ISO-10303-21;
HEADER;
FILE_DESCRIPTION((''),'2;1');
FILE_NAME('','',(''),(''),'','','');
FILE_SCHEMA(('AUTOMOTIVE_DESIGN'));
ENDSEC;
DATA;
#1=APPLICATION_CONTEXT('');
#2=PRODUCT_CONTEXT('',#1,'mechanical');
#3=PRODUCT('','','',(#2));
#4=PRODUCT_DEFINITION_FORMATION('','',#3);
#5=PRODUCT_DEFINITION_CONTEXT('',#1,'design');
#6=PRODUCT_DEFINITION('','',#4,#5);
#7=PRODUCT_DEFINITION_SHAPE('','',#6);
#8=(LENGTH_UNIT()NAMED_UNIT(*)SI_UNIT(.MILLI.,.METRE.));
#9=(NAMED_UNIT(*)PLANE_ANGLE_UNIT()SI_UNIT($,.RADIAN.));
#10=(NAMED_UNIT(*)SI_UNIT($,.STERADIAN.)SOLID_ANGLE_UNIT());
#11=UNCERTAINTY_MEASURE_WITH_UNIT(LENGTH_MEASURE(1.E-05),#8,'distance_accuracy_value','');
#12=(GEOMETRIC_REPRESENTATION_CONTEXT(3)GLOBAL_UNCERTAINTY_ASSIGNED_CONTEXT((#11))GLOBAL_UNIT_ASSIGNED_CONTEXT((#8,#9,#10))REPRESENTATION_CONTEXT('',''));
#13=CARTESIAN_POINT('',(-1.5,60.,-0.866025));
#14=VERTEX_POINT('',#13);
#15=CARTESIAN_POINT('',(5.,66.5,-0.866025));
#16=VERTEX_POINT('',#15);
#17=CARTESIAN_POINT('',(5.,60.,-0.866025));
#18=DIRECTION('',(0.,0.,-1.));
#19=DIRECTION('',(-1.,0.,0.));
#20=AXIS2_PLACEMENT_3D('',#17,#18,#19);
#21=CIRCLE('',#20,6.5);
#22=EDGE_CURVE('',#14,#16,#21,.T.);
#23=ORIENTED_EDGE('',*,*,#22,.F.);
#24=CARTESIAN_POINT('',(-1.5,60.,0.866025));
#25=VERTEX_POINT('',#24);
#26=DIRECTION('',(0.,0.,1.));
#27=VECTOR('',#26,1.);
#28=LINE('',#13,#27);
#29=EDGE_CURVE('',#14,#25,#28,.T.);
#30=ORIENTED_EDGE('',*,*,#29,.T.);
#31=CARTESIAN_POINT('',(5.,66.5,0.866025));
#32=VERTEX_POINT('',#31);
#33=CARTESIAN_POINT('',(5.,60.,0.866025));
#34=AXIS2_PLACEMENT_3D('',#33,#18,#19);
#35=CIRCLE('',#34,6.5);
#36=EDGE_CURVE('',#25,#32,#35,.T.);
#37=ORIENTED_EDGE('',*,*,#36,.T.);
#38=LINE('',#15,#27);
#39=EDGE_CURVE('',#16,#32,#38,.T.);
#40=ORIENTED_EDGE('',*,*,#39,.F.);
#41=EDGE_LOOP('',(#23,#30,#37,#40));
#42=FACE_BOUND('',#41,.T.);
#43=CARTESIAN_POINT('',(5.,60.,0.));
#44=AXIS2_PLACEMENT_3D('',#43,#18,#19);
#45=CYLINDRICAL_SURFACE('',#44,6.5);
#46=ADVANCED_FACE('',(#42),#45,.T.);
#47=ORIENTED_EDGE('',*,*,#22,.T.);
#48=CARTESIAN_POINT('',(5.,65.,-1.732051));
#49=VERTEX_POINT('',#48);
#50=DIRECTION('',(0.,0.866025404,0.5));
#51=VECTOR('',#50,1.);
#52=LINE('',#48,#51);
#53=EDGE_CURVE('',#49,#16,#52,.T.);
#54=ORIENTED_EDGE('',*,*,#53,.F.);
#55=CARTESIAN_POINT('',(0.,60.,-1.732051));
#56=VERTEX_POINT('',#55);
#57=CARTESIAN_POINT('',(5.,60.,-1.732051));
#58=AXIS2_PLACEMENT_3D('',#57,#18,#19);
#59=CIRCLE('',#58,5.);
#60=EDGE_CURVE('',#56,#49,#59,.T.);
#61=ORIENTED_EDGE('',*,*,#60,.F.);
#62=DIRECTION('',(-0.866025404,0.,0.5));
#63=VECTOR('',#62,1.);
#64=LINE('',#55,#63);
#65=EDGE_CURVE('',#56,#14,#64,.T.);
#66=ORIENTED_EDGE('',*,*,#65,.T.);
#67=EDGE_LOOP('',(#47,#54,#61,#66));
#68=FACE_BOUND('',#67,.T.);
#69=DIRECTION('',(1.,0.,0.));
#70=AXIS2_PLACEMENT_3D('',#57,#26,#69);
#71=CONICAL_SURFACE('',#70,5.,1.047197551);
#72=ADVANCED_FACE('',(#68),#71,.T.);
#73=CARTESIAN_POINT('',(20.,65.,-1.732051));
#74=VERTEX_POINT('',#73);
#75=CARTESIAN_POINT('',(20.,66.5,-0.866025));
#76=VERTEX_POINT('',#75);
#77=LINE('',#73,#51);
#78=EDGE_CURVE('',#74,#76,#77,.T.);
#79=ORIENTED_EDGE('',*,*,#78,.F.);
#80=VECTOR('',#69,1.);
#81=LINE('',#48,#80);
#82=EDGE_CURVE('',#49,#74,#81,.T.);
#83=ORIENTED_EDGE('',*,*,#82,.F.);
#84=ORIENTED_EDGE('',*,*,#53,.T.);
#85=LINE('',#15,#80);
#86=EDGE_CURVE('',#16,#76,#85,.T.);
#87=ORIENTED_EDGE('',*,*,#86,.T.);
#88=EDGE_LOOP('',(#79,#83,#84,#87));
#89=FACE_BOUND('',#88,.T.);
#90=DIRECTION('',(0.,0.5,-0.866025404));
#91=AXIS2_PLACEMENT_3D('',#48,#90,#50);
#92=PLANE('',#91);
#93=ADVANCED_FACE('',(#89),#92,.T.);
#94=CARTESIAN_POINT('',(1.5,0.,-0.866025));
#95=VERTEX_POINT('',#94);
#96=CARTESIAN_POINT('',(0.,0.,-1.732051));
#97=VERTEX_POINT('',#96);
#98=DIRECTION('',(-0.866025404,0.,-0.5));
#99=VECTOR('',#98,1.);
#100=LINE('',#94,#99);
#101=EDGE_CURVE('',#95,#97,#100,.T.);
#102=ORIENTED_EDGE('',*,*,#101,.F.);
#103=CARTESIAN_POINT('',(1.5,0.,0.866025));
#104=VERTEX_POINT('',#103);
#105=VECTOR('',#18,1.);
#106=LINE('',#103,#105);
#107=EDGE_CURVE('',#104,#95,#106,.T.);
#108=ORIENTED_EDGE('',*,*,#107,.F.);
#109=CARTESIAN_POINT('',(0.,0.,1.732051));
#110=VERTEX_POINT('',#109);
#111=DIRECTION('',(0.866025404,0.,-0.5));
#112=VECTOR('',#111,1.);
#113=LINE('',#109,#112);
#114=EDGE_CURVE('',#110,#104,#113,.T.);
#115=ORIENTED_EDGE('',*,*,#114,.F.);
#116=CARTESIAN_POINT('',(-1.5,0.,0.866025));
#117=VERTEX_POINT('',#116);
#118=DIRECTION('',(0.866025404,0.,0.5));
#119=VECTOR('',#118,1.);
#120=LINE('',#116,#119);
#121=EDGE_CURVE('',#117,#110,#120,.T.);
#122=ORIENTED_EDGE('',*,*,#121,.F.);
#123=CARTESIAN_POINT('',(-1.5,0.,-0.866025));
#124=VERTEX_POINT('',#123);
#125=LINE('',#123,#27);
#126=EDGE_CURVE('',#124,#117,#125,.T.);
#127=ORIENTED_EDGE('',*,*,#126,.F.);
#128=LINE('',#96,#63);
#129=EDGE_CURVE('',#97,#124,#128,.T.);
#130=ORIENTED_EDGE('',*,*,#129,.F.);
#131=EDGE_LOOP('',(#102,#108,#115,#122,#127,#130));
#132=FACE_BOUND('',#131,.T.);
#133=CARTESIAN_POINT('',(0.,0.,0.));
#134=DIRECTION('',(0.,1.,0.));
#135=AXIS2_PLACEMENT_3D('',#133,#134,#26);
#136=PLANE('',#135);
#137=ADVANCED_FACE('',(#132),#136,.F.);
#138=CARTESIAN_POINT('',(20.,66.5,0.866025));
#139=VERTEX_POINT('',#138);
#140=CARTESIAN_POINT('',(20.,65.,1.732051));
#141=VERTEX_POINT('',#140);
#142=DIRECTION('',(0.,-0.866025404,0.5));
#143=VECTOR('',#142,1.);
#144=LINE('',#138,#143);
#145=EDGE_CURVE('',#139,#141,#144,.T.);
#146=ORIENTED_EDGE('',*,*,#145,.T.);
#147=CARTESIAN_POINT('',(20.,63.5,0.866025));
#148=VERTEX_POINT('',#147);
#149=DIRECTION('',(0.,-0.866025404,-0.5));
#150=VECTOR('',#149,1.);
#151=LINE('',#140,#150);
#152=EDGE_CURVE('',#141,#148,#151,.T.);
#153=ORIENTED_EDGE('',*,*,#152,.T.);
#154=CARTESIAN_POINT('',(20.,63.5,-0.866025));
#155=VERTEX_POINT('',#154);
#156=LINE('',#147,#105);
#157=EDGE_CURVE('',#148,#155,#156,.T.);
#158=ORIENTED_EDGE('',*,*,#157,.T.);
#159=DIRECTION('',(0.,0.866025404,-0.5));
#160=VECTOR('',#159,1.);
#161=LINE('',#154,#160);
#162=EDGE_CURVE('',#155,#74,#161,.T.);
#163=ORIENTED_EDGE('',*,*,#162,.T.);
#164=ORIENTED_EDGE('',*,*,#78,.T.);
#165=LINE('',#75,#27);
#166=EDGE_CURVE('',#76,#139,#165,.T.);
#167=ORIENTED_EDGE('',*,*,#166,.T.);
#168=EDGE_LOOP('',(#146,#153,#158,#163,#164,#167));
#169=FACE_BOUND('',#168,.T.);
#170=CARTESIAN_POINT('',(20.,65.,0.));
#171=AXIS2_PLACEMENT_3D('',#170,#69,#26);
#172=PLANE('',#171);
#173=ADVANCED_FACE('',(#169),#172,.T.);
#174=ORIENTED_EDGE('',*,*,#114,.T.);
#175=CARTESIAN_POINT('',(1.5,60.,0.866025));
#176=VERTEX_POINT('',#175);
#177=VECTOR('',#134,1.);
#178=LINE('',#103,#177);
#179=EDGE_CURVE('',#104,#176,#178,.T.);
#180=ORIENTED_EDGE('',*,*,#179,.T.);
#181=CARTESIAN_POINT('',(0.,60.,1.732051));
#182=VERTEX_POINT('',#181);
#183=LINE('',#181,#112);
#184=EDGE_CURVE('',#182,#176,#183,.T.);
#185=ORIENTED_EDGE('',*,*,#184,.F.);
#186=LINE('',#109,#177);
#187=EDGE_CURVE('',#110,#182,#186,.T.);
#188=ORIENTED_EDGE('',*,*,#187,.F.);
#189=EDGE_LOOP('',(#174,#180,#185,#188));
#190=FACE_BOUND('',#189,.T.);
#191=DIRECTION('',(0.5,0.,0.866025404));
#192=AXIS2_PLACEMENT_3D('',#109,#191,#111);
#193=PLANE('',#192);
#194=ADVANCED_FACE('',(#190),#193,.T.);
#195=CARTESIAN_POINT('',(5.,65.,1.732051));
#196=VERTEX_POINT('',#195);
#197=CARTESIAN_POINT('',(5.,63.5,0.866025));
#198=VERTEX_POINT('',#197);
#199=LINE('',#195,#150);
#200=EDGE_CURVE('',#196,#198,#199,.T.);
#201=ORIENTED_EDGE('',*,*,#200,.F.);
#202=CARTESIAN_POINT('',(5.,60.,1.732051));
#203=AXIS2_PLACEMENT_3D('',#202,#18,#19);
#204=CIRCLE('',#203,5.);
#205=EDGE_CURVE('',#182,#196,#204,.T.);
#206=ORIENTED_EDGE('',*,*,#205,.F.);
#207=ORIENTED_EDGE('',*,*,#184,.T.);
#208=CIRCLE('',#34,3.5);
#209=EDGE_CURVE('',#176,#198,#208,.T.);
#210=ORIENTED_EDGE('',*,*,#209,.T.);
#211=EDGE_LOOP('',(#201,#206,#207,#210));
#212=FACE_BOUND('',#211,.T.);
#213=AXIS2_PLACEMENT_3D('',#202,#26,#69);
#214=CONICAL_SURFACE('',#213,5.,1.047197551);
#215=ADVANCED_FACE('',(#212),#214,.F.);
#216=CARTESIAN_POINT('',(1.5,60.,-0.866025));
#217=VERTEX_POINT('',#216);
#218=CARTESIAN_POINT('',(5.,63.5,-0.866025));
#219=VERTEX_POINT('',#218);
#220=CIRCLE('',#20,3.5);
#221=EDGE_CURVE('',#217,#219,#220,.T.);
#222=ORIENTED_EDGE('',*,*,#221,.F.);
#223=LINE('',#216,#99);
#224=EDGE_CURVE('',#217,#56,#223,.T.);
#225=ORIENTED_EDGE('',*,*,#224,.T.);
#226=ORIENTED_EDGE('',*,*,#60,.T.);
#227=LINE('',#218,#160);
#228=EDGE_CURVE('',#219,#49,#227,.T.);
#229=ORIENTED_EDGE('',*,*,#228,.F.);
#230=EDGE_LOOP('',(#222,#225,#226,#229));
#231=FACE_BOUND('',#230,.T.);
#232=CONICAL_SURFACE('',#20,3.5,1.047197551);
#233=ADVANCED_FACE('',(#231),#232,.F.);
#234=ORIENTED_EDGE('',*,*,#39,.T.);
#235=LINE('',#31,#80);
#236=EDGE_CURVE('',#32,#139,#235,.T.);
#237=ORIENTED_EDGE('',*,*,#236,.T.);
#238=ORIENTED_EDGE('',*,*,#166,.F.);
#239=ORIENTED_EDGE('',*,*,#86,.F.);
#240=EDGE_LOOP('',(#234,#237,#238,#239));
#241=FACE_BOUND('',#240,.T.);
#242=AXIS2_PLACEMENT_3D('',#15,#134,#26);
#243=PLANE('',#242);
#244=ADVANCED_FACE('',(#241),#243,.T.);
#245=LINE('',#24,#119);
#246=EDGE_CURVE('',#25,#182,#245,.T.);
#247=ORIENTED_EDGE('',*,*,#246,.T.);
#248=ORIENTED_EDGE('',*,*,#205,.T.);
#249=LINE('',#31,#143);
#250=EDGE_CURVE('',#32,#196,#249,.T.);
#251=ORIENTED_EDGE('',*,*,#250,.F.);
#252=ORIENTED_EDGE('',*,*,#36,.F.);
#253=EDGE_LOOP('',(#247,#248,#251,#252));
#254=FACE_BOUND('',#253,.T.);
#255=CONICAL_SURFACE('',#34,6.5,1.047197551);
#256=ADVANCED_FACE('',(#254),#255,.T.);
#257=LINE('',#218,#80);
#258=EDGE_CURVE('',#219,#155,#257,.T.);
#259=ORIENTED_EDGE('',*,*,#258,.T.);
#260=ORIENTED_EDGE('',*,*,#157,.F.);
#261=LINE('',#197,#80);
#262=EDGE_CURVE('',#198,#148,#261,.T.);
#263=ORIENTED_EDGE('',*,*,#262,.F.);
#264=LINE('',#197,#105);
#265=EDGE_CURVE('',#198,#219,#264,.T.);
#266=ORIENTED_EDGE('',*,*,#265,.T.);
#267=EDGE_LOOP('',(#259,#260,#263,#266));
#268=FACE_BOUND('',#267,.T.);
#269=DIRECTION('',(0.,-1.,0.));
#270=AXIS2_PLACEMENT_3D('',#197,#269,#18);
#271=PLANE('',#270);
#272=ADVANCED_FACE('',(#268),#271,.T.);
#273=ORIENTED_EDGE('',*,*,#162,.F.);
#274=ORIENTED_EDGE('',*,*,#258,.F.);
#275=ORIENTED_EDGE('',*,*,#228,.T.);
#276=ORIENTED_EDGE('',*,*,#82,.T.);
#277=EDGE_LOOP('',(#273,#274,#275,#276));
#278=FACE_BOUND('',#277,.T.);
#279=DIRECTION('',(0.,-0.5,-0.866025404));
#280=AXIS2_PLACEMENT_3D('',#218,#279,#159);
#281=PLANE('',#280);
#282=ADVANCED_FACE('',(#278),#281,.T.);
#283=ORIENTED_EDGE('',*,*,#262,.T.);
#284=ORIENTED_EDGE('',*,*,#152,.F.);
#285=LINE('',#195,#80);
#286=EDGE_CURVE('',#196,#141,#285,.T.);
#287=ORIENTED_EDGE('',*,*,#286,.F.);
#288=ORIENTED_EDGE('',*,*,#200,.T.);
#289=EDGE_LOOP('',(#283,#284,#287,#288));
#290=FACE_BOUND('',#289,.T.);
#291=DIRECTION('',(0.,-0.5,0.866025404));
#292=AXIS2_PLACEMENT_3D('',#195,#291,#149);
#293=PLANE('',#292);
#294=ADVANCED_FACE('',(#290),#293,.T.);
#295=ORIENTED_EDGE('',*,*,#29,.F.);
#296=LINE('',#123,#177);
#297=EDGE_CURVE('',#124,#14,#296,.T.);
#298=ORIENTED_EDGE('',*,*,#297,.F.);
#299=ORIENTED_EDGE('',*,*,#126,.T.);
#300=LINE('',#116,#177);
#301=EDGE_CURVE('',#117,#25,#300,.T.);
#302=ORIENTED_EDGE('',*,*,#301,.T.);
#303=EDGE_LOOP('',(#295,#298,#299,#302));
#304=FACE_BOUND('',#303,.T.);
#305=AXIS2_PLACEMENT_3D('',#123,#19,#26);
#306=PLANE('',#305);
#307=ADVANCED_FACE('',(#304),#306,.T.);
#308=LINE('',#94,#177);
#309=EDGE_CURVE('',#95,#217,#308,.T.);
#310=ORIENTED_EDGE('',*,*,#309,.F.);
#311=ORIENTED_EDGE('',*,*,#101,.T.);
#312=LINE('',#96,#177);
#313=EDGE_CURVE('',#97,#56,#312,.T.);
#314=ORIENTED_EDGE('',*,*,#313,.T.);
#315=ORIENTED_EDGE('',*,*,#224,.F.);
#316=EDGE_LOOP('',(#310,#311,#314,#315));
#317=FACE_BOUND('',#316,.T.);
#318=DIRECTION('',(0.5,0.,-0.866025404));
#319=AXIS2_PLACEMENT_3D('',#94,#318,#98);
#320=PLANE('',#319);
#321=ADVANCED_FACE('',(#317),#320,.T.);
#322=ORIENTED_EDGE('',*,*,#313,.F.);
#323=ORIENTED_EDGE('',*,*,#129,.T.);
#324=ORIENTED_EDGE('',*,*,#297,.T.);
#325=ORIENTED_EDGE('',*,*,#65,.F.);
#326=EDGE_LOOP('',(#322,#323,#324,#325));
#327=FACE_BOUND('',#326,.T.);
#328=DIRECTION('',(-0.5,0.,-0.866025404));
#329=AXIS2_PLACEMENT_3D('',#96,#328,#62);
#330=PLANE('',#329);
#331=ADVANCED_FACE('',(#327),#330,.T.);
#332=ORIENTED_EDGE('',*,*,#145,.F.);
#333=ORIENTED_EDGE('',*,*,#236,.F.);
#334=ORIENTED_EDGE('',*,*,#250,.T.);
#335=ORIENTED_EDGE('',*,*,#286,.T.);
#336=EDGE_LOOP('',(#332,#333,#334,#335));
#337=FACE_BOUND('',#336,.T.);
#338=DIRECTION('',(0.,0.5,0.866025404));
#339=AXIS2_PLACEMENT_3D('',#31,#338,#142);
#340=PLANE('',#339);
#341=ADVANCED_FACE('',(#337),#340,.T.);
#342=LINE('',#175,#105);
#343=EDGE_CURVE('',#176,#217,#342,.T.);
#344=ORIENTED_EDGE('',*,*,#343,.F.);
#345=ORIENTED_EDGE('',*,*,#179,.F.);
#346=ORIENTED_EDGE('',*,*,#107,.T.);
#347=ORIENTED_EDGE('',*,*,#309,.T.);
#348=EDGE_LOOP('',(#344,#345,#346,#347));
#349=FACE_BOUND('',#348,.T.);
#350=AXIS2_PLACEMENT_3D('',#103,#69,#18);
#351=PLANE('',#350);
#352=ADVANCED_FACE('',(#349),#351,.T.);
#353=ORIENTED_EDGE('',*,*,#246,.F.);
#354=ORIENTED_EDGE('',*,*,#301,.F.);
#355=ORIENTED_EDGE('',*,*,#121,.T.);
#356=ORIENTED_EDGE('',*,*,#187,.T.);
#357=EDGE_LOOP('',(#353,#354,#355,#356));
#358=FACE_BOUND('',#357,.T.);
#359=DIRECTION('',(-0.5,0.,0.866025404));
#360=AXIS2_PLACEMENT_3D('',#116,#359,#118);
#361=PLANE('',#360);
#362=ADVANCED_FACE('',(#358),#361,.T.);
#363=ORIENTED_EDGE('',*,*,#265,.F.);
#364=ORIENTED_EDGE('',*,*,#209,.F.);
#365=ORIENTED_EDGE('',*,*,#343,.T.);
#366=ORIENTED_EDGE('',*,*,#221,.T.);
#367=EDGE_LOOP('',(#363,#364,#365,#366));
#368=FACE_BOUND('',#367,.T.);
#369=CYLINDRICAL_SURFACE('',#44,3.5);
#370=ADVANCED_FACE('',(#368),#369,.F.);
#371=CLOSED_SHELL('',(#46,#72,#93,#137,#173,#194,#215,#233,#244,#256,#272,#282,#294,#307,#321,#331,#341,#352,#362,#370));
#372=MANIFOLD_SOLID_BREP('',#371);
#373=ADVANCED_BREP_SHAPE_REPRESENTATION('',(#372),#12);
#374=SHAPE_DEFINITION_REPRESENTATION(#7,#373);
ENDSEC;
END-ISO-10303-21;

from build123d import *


with BuildPart() as part:
    # Táhnout po křivce1: sweep along a path in Skica1
    with BuildLine(Plane.XY) as t_hnout_po_k_ivce1_path:
        Line((0, 0), (0, 60))
        ThreePointArc((0, 60), (1.464466094, 63.535533906), (5, 65))
        Line((5, 65), (20, 65))
    # Skica2 → Táhnout po křivce1 (sweep)
    with BuildSketch(Plane(origin=(0, 0, 0), x_dir=(1, 0, 0), z_dir=(0, 1, 0))):
        Polygon((1.5, 0.866025404), (0, 1.732050808), (-1.5, 0.866025404), (-1.5, -0.866025404), (0, -1.732050808), (1.5, -0.866025404), align=None)
    sweep(path=t_hnout_po_k_ivce1_path.line)


solid = part.part
